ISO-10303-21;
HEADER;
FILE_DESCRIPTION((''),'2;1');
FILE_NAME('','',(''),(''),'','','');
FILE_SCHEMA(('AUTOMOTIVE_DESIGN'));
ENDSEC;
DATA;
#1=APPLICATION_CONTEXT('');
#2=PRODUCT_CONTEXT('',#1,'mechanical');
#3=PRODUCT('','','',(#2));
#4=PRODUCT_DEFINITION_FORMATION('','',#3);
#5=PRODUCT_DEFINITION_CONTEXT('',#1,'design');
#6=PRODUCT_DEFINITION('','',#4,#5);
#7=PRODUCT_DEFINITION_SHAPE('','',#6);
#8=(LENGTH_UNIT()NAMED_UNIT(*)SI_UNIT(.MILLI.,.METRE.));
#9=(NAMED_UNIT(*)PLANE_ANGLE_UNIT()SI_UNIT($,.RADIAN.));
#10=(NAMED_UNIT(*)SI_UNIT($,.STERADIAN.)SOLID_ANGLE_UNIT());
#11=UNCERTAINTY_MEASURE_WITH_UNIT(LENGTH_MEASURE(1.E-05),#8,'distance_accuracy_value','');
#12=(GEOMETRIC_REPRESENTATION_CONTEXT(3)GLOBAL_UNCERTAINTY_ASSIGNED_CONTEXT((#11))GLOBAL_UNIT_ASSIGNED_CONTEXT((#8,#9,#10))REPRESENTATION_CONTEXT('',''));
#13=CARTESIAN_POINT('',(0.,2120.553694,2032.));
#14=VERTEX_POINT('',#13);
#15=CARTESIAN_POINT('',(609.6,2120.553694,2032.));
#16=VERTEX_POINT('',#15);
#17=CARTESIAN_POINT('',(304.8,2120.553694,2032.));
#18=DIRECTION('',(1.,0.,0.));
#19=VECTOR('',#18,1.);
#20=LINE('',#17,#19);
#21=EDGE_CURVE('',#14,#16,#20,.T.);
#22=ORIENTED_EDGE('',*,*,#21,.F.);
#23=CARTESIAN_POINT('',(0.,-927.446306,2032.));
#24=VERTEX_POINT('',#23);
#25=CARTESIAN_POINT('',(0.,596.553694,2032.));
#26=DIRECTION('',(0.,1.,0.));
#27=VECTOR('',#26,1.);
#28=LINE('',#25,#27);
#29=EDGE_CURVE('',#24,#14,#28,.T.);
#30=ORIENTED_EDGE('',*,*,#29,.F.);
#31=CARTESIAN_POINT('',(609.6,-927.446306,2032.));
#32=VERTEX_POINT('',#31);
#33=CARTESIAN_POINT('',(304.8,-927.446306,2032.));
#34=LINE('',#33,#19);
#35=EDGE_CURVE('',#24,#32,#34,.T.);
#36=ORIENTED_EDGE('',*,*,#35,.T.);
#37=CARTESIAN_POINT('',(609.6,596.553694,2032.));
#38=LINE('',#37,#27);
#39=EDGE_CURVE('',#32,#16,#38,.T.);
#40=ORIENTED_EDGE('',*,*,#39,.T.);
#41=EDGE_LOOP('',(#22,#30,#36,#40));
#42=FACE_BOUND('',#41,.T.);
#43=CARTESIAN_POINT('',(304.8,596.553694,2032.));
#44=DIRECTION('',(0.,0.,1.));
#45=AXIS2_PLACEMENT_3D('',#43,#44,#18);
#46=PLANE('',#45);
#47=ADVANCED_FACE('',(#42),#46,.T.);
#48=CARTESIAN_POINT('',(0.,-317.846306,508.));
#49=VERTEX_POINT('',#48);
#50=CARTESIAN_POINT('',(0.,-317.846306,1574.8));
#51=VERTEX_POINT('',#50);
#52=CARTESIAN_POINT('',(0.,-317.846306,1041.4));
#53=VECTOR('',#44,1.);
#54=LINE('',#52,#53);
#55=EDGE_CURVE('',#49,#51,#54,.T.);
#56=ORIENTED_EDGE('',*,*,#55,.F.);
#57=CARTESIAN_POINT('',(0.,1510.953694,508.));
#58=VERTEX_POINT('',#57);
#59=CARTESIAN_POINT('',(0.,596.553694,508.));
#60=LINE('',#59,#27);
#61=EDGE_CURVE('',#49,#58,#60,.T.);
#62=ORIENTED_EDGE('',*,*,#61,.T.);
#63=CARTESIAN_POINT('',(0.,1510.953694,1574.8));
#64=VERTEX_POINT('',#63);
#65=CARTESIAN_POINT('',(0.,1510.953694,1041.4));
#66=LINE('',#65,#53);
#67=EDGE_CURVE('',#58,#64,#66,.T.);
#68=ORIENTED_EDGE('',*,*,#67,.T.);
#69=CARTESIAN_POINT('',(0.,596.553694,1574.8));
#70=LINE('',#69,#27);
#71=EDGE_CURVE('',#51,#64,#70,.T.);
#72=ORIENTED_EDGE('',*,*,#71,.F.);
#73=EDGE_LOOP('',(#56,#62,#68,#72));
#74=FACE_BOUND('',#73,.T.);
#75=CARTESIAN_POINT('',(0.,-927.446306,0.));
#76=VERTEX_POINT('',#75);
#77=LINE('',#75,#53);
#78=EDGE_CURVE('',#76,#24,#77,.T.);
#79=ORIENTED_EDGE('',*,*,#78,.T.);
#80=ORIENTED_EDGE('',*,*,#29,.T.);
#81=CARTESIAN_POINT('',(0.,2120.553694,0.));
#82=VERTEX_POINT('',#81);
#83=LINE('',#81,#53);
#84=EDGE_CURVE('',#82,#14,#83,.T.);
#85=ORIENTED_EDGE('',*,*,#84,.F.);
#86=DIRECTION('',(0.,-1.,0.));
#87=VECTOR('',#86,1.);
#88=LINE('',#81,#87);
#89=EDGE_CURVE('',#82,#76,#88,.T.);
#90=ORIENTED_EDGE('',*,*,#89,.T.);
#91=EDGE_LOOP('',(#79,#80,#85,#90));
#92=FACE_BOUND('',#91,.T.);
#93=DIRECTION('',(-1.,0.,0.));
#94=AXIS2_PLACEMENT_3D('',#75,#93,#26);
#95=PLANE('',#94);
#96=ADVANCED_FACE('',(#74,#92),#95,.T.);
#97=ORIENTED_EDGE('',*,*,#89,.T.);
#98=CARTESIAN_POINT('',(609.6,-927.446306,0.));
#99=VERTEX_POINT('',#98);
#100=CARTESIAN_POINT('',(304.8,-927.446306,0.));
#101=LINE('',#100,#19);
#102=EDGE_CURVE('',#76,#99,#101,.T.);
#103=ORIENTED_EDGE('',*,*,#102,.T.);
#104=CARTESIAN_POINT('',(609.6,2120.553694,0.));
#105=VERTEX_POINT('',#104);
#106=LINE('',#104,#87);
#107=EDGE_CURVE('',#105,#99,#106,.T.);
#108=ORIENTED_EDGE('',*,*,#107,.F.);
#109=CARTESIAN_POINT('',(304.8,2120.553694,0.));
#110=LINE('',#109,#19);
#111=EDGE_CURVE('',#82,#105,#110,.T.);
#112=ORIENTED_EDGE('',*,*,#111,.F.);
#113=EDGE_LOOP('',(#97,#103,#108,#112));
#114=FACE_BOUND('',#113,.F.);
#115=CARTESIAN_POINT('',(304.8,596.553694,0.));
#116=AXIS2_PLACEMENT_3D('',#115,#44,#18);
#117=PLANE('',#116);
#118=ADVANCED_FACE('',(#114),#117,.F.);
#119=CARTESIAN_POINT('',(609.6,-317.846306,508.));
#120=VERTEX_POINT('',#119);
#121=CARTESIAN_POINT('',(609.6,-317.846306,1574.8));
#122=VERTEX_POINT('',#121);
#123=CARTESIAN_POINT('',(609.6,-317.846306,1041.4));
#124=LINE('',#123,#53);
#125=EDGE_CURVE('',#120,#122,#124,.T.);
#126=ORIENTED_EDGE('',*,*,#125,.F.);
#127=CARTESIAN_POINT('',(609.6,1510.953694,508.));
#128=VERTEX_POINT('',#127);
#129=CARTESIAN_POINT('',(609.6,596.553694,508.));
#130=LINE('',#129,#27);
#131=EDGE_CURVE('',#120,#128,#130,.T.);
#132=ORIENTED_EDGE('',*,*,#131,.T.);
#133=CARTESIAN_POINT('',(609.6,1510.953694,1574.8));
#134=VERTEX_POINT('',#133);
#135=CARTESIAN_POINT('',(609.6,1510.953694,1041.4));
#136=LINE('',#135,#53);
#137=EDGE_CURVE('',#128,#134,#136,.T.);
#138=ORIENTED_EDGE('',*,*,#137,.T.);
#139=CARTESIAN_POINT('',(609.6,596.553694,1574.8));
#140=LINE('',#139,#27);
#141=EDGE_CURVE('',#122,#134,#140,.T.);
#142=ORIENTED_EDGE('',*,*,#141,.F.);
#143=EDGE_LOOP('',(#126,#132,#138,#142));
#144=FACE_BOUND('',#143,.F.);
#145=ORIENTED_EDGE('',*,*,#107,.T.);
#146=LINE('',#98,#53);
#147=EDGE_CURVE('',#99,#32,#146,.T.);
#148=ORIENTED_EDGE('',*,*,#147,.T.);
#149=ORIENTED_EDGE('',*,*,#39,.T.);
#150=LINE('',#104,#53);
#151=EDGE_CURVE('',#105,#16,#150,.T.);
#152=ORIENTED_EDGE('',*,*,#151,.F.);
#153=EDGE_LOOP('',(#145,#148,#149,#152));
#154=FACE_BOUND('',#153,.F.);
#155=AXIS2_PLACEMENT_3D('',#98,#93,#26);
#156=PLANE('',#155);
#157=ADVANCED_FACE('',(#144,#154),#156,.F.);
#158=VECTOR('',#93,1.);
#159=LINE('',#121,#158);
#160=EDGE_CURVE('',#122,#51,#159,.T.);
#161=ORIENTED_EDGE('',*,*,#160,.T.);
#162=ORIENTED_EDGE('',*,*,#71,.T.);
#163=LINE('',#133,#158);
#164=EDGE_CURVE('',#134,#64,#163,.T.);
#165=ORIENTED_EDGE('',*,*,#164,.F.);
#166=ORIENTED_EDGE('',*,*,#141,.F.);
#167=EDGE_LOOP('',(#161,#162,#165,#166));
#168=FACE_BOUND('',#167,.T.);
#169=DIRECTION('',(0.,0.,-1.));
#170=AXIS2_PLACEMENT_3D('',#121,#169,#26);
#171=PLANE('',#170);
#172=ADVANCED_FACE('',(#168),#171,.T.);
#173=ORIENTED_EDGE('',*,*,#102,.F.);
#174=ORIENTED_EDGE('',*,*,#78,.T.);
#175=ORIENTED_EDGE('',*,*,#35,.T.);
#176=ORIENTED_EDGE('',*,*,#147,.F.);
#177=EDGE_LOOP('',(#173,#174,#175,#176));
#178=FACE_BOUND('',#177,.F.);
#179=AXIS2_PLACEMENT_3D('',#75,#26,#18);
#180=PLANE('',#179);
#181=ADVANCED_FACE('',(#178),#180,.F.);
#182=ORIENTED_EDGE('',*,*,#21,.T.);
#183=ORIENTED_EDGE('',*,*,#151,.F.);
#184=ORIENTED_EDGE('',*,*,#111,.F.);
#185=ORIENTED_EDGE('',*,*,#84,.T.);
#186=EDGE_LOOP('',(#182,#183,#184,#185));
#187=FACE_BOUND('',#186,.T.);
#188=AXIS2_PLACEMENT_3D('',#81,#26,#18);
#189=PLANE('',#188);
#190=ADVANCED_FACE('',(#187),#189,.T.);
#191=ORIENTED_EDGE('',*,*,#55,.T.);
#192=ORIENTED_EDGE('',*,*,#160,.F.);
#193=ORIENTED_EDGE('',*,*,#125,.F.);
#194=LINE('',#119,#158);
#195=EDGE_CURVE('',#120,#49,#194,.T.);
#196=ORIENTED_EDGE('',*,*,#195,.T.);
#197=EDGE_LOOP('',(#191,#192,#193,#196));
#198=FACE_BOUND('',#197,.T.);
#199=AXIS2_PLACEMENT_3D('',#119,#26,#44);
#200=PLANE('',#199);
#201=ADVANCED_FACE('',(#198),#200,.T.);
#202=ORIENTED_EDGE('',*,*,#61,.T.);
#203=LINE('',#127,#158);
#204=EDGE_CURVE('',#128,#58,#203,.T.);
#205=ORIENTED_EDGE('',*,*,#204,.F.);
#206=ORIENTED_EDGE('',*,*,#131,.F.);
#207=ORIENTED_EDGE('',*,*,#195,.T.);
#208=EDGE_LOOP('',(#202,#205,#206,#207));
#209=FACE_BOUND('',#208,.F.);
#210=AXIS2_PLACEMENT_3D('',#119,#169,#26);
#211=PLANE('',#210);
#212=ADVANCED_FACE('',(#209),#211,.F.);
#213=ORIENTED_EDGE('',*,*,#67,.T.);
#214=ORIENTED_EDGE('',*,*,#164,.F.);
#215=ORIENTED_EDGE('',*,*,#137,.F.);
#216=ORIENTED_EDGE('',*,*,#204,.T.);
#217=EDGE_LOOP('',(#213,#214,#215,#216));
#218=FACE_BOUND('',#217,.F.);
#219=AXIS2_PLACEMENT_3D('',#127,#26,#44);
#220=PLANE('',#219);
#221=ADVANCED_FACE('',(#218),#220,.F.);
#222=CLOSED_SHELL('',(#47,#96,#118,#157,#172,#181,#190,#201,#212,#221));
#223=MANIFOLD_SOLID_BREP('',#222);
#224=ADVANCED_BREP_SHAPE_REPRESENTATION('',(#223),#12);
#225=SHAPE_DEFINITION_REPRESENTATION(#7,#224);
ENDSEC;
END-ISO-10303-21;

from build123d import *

# Parameters (mm, degrees)
F0_W     = 609.6
F0_H     = 1828.8
F1_DEPTH = 508
F4_W     = 609.6
F4_H     = 3048
F5_DEPTH = 2032
F6_W     = 1828.8
F6_H     = 1066.8
F7_DEPTH = 609.6


with BuildPart() as f1:
    # F0 (on Top) → F1 (new body)
    with BuildSketch(Plane.XY):
        with Locations((304.8, 596.553694)):
            Rectangle(F0_W, F0_H)
    extrude(amount=F1_DEPTH)

    # F4 (on Top) → F5 (join)
    with BuildSketch(Plane.XY):
        with Locations((304.8, 596.553694)):
            Rectangle(F4_W, F4_H)
    extrude(amount=F5_DEPTH)

    # F6 (on face) → F7 (cut, through all)
    with BuildSketch(Plane.YZ.offset(609.6)):
        with Locations((596.553694, 1041.4)):
            Rectangle(F6_W, F6_H)
    extrude(amount=-F7_DEPTH, mode=Mode.SUBTRACT)


solid = f1.part
